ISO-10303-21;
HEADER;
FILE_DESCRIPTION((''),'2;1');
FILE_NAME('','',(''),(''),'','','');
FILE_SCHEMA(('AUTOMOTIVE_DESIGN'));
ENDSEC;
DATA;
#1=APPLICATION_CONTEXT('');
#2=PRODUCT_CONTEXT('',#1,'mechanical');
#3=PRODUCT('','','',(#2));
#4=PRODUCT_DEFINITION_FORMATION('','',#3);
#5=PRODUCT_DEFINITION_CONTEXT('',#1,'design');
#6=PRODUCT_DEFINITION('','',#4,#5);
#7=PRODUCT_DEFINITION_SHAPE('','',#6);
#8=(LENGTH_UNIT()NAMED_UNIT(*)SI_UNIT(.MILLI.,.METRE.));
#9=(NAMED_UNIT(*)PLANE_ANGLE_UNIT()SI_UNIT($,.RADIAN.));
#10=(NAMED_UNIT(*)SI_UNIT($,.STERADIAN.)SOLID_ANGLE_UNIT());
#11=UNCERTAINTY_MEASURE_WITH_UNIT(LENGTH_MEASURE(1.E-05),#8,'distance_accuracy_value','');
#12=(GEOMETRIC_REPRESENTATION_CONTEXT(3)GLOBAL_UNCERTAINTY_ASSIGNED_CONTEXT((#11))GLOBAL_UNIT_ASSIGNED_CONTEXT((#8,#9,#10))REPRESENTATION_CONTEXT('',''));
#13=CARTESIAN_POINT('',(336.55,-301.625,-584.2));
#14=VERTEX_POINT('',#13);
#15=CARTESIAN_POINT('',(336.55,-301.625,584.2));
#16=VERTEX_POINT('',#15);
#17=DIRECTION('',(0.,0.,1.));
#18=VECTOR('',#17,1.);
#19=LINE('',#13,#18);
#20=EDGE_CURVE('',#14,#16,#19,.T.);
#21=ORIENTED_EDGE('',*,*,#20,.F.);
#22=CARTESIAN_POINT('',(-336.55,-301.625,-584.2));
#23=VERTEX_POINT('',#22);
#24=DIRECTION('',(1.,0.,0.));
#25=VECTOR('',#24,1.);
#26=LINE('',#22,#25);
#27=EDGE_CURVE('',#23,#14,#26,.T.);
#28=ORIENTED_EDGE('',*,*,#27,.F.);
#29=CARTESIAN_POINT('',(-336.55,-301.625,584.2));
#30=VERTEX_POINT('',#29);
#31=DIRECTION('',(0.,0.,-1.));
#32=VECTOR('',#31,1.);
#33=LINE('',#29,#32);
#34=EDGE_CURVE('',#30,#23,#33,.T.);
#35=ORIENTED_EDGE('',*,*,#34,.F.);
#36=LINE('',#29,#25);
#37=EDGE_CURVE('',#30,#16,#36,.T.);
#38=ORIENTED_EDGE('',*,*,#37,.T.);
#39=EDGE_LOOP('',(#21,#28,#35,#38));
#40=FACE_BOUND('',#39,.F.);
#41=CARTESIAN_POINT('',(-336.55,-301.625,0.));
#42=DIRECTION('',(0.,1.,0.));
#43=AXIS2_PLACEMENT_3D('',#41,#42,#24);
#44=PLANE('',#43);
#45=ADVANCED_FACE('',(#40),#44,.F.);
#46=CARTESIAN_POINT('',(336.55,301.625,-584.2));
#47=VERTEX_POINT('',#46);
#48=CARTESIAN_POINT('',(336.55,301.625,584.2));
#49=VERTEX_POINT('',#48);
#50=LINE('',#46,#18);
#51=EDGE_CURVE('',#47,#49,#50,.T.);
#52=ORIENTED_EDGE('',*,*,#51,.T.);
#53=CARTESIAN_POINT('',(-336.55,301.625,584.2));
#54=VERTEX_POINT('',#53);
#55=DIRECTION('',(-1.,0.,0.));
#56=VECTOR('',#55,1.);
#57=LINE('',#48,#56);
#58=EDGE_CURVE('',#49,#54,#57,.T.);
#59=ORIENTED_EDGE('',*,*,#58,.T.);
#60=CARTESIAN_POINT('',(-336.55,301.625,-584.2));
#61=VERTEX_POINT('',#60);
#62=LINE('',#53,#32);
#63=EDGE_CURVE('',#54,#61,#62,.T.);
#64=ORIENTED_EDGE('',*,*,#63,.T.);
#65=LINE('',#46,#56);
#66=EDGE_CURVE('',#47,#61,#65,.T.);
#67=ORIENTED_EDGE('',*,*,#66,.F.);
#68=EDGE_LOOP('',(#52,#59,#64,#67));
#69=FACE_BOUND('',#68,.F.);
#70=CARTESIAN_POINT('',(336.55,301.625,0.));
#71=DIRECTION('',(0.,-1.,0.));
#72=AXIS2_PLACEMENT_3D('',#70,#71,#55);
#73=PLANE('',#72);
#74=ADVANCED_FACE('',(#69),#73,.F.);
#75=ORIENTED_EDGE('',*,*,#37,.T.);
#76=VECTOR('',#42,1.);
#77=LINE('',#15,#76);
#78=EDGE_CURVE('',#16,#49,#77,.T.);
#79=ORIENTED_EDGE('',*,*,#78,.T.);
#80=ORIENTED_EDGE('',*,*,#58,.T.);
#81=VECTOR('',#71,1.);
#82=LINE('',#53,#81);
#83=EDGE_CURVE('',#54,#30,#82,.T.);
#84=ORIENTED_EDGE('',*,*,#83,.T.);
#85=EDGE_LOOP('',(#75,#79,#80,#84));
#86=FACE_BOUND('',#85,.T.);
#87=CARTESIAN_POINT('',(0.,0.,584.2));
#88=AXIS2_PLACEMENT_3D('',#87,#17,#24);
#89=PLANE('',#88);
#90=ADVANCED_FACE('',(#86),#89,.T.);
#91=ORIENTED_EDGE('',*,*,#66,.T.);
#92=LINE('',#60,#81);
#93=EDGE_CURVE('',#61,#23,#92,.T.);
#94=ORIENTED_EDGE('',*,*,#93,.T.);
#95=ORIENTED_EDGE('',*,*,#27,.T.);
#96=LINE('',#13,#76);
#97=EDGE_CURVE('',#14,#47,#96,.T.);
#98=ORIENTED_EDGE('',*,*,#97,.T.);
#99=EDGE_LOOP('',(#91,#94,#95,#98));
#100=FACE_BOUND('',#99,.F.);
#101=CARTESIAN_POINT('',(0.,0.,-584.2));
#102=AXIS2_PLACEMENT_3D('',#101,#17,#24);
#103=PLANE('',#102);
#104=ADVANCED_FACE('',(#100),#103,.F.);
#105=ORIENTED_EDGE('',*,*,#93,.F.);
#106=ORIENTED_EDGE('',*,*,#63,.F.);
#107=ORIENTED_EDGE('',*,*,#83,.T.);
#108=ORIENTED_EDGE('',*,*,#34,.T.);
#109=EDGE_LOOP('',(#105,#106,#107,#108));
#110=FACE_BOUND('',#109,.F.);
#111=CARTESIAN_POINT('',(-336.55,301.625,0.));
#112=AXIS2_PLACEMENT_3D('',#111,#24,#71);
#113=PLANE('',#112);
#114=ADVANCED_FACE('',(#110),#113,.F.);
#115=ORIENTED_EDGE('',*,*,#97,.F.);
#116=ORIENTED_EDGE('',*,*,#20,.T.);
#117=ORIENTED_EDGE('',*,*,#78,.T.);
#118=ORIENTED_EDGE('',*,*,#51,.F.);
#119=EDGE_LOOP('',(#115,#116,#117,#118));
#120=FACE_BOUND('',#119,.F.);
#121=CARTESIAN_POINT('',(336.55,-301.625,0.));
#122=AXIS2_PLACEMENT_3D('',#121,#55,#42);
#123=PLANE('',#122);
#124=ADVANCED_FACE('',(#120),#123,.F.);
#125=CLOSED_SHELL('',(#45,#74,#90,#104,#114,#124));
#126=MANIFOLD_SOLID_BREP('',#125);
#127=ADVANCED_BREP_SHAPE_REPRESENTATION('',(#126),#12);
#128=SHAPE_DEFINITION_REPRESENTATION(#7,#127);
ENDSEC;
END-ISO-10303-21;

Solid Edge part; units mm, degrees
sketch "Sketch1" plane through (0, 0, 0) normal (0, 0, 1) x (1, 0, 0)
  line L0 (-336.55, -301.625) -> (336.55, -301.625)
  line L1 (336.55, -301.625) -> (336.55, 301.625)
  line L2 (336.55, 301.625) -> (-336.55, 301.625)
  line L3 (-336.55, 301.625) -> (-336.55, -301.625)
extrude "Protrusion1" add sketch "Sketch1" along normal mid plane 1168.4
